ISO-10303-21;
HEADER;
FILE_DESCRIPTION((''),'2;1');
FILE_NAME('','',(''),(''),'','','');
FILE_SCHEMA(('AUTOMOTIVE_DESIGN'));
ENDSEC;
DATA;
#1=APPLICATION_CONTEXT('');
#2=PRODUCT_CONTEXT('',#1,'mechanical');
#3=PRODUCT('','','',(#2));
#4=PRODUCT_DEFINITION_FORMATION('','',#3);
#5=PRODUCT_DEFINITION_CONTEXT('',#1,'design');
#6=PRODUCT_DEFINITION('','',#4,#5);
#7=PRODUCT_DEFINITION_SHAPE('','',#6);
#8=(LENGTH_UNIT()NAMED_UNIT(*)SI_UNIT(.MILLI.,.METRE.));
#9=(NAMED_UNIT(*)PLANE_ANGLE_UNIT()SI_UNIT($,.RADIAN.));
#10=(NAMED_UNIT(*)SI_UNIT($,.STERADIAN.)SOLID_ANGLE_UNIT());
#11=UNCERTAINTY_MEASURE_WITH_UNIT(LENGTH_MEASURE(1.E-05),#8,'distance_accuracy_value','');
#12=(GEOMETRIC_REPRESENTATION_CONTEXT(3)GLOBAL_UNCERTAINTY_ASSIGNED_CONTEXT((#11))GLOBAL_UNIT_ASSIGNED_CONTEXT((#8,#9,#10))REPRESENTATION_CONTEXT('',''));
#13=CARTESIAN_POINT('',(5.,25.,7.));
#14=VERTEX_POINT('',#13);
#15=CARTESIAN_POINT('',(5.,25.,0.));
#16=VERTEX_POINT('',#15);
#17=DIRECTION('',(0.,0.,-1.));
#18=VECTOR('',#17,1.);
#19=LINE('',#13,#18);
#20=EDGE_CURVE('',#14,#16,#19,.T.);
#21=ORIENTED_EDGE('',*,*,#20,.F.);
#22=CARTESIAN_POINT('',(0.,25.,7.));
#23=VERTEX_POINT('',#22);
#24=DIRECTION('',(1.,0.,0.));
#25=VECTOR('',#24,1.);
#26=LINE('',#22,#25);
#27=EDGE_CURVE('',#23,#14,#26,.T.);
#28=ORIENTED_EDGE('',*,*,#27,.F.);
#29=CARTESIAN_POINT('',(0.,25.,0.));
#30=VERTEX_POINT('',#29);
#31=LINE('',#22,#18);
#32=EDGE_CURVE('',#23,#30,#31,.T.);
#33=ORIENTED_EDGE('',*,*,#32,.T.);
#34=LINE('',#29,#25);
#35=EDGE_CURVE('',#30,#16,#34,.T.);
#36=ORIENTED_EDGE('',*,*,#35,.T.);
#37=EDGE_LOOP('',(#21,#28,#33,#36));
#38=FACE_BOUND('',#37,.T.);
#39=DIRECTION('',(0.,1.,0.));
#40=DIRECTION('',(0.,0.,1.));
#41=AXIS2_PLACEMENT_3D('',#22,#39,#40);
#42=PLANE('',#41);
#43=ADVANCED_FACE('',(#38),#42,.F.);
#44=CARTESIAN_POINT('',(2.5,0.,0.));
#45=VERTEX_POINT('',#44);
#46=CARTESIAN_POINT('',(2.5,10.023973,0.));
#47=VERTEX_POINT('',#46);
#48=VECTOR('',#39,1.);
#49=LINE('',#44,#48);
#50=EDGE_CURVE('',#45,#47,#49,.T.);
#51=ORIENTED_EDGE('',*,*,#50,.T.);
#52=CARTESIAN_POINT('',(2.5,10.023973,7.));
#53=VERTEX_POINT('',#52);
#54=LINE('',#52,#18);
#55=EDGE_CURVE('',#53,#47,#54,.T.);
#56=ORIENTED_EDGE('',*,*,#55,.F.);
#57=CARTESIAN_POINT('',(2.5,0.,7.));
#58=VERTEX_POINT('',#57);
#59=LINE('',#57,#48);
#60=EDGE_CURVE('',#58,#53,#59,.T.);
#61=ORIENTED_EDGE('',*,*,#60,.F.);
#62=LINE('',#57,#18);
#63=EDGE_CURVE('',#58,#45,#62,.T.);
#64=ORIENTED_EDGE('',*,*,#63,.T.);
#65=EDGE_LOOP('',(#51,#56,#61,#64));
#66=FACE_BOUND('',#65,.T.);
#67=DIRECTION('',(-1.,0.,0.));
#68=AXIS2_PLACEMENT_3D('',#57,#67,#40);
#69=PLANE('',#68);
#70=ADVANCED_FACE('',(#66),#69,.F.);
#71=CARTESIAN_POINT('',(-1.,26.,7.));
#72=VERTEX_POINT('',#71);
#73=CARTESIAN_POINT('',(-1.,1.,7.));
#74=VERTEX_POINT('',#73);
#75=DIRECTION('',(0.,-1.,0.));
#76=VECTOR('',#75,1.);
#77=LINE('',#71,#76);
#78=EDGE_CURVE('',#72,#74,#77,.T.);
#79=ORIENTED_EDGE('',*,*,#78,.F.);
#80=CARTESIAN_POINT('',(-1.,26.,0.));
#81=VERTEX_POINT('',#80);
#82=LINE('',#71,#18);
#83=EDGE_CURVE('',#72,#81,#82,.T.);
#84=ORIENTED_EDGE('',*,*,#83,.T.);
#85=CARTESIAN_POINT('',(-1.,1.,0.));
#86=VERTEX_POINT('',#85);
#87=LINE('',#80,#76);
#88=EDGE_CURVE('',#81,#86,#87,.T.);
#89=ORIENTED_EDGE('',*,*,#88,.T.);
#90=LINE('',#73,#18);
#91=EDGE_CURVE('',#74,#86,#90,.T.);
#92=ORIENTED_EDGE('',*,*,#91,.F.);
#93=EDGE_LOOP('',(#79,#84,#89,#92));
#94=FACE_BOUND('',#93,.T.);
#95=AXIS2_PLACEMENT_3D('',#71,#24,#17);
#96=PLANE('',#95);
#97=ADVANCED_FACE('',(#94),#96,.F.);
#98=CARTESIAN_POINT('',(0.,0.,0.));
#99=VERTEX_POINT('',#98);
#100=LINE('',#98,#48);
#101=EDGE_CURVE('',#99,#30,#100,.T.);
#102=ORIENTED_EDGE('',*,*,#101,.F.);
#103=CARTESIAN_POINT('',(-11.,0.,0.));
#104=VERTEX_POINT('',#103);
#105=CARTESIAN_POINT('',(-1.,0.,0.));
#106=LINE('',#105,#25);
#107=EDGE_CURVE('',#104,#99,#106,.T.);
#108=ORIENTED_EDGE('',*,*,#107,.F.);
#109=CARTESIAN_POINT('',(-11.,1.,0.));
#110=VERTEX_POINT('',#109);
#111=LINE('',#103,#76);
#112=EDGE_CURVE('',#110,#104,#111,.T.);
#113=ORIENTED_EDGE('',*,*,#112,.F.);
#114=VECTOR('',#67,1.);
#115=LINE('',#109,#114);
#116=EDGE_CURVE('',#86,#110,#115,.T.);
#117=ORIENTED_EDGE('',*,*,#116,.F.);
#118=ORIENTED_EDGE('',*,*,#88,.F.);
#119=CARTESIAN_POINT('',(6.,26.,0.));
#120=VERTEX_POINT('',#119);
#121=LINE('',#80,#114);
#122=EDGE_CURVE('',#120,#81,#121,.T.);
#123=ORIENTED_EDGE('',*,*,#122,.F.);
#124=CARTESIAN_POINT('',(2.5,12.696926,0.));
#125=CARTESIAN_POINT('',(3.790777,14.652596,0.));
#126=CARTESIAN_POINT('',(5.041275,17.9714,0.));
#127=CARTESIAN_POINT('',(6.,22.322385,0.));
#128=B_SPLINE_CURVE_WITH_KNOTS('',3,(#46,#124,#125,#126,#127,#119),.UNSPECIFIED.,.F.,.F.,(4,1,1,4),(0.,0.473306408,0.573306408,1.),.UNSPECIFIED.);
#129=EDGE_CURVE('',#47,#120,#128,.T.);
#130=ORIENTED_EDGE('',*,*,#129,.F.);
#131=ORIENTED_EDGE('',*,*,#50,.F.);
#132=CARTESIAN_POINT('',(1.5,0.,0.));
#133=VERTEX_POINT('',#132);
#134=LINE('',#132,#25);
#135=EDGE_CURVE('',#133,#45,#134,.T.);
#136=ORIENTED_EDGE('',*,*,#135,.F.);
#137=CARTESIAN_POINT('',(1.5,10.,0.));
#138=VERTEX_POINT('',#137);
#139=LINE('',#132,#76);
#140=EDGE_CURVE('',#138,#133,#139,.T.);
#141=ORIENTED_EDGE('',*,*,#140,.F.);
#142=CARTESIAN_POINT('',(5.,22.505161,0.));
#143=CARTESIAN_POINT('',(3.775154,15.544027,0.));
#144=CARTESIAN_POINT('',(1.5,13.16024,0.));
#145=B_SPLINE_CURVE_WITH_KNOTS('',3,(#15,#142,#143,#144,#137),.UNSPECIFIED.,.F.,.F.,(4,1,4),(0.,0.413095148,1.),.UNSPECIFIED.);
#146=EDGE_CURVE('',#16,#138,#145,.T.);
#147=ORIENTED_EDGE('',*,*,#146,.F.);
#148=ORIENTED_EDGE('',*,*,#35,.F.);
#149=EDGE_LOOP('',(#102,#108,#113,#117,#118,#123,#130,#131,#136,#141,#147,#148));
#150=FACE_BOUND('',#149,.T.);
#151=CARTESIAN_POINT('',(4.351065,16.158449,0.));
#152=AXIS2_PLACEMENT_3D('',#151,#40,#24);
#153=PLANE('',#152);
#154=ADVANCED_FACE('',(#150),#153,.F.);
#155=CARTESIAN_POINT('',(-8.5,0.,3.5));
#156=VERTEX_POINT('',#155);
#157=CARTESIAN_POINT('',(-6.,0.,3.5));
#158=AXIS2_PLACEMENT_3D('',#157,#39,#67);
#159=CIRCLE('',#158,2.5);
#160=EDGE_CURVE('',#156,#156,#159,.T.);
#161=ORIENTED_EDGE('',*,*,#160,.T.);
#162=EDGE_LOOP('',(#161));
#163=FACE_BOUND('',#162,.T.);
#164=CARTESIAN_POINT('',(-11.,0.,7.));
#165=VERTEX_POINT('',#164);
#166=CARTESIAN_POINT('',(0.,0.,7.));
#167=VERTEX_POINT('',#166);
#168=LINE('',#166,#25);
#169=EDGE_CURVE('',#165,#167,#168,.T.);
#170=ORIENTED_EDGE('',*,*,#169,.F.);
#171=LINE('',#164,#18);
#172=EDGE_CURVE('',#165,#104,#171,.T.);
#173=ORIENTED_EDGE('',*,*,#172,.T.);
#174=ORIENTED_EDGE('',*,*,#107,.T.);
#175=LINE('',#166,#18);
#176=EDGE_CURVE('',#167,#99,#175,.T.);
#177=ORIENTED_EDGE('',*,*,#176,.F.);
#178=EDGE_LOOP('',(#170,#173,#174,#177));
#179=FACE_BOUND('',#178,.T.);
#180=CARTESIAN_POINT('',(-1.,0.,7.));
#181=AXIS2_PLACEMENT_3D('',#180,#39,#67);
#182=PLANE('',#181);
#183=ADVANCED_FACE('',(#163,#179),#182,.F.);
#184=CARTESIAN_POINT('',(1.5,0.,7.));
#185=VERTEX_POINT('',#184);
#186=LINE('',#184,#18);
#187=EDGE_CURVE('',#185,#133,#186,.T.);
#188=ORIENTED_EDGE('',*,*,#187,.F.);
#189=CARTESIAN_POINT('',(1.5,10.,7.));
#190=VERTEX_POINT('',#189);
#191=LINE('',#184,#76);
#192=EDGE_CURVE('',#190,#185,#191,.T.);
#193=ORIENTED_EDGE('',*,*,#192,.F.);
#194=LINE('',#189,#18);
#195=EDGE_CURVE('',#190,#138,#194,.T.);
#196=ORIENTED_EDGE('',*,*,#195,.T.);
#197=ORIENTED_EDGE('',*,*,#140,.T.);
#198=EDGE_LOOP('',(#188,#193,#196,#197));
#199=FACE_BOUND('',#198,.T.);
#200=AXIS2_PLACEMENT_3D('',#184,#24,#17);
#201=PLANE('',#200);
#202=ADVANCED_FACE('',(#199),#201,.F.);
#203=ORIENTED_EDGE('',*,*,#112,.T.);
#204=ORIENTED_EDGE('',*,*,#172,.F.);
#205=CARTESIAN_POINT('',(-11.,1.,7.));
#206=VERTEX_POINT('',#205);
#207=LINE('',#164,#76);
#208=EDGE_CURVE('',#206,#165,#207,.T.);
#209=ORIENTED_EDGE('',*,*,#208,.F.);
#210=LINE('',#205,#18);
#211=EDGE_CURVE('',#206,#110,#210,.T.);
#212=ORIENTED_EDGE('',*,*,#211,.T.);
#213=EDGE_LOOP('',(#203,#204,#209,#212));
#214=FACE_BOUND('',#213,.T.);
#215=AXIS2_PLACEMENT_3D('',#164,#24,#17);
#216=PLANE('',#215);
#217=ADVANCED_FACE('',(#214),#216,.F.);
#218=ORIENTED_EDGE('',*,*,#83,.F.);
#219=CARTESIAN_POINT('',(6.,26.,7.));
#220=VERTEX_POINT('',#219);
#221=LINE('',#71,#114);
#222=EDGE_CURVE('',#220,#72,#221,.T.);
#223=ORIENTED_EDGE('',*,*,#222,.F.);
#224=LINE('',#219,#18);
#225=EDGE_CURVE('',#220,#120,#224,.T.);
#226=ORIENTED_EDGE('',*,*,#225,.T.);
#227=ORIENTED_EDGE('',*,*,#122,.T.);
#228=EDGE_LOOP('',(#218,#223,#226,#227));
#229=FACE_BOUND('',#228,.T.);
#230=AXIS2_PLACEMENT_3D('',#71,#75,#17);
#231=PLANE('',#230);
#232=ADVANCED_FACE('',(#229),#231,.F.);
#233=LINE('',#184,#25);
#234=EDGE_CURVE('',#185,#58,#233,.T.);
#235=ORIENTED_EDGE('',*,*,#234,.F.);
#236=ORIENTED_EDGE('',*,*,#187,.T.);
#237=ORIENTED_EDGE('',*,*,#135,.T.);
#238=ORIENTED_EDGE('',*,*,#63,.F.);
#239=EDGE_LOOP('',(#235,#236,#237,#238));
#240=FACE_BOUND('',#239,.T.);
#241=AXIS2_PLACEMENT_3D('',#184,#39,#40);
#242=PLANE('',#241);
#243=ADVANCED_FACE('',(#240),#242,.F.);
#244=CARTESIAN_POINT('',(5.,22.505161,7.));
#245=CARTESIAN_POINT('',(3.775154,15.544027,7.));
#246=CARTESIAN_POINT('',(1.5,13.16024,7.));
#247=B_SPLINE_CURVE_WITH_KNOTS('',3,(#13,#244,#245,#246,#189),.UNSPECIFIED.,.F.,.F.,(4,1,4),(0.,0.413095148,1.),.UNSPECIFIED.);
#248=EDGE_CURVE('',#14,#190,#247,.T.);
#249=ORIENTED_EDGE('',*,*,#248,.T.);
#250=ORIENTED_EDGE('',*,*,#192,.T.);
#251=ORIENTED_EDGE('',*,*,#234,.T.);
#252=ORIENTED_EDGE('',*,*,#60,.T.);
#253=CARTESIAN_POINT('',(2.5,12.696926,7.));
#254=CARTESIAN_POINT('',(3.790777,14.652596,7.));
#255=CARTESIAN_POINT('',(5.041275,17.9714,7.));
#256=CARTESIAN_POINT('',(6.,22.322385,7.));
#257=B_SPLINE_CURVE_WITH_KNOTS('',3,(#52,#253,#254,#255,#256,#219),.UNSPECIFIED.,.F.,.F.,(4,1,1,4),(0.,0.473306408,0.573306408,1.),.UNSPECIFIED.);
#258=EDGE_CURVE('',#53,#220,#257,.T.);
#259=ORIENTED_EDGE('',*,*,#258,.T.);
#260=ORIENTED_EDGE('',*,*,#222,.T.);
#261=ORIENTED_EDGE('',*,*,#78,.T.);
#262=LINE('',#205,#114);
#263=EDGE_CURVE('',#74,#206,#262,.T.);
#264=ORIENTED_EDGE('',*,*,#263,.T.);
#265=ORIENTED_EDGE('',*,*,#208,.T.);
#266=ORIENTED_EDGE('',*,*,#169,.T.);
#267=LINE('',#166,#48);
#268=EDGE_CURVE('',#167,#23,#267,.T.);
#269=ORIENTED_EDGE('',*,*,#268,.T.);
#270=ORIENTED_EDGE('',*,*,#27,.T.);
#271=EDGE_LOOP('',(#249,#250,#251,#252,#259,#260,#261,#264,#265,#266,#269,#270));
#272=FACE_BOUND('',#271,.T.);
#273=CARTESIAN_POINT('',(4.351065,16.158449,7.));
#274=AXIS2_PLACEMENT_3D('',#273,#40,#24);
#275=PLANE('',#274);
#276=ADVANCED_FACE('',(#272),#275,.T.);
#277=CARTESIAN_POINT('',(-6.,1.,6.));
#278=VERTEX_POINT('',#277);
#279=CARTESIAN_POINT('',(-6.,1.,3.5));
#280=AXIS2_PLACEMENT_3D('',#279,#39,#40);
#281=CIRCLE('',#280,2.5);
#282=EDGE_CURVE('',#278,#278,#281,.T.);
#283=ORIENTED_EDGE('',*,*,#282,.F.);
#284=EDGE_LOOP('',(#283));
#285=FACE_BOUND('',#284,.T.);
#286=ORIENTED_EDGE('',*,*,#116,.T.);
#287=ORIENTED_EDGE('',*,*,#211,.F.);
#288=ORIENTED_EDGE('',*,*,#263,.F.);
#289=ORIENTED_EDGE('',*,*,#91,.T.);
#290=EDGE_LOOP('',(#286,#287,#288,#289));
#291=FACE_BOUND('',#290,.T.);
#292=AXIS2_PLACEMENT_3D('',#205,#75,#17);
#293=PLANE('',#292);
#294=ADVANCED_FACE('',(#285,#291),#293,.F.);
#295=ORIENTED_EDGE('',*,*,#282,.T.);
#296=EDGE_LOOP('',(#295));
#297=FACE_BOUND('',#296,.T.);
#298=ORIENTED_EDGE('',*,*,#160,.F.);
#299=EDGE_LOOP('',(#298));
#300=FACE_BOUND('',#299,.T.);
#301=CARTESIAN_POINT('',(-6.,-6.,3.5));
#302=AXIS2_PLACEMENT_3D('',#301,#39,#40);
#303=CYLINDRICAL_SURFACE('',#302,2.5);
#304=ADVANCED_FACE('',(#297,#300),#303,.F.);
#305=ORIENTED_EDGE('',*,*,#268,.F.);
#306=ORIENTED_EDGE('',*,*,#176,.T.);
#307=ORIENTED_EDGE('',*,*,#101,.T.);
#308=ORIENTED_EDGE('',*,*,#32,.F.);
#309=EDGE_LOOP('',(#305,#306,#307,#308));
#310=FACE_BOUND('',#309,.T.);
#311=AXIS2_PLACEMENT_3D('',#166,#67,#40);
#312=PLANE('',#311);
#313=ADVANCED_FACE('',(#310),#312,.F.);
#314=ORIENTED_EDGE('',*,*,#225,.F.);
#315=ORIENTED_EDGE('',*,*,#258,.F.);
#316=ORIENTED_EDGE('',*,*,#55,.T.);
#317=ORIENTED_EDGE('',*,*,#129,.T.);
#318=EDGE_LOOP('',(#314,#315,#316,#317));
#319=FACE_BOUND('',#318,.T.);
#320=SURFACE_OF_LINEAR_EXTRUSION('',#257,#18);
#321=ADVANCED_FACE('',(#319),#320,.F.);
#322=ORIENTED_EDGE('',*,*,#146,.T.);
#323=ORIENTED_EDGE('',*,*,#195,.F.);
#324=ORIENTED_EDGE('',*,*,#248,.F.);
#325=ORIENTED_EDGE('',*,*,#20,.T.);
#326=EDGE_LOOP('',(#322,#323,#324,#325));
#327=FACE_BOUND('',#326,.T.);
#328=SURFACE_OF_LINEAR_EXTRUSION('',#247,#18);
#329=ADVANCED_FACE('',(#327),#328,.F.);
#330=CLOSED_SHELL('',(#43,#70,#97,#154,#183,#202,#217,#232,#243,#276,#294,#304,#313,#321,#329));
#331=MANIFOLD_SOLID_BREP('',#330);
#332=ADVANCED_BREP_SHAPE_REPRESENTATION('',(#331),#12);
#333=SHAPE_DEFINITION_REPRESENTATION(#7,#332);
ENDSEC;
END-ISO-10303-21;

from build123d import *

# Parameters (mm, degrees)
BOSS_EXTRUDE1_DEPTH = 7
SKETCH5_R           = 2.5
CUT_EXTRUDE1_DEPTH  = 7


with BuildPart() as part:
    # Sketch1 → Boss-Extrude1 (new body)
    with BuildSketch(Plane.XY):
        with BuildLine():
            Line((0, 0), (0, 25))
            Line((0, 25), (5, 25))
            add(Edge.make_bspline(
                [(5, 25), (5, 22.505160854), (3.775153637, 15.544027487), (1.5, 13.160240213), (1.5, 10)],
                knots=[0, 0, 0, 0, 0.413095148, 1, 1, 1, 1], degree=3))
            Line((1.5, 10), (1.5, 0))
            Line((1.5, 0), (2.5, 0))
            Line((2.5, 0), (2.5, 10.023972807))
            add(Edge.make_bspline(
                [(6, 26), (6, 22.322385343), (5.041275268, 17.971400198), (3.790776866, 14.65259624), (2.5, 12.696926019), (2.5, 10.023972807)],
                knots=[0, 0, 0, 0, 0.426693592, 0.526693592, 1, 1, 1, 1], degree=3))
            Line((6, 26), (-1, 26))
            Line((-1, 26), (-1, 1))
            Line((-1, 1), (-11, 1))
            Line((-11, 1), (-11, 0))
            Line((-11, 0), (-1, 0))
            Line((-1, 0), (0, 0))
        make_face()
    extrude(amount=BOSS_EXTRUDE1_DEPTH)

    # Sketch5 → Cut-Extrude1 (cut)
    with BuildSketch(Plane(origin=(0, 1, 0), x_dir=(1, 0, 0), z_dir=(0, 1, 0))):
        with Locations(Location((-6, -3.5, 0), (0, 0, 270))):
            Circle(SKETCH5_R)
    extrude(amount=-CUT_EXTRUDE1_DEPTH, mode=Mode.SUBTRACT)


solid = part.part
